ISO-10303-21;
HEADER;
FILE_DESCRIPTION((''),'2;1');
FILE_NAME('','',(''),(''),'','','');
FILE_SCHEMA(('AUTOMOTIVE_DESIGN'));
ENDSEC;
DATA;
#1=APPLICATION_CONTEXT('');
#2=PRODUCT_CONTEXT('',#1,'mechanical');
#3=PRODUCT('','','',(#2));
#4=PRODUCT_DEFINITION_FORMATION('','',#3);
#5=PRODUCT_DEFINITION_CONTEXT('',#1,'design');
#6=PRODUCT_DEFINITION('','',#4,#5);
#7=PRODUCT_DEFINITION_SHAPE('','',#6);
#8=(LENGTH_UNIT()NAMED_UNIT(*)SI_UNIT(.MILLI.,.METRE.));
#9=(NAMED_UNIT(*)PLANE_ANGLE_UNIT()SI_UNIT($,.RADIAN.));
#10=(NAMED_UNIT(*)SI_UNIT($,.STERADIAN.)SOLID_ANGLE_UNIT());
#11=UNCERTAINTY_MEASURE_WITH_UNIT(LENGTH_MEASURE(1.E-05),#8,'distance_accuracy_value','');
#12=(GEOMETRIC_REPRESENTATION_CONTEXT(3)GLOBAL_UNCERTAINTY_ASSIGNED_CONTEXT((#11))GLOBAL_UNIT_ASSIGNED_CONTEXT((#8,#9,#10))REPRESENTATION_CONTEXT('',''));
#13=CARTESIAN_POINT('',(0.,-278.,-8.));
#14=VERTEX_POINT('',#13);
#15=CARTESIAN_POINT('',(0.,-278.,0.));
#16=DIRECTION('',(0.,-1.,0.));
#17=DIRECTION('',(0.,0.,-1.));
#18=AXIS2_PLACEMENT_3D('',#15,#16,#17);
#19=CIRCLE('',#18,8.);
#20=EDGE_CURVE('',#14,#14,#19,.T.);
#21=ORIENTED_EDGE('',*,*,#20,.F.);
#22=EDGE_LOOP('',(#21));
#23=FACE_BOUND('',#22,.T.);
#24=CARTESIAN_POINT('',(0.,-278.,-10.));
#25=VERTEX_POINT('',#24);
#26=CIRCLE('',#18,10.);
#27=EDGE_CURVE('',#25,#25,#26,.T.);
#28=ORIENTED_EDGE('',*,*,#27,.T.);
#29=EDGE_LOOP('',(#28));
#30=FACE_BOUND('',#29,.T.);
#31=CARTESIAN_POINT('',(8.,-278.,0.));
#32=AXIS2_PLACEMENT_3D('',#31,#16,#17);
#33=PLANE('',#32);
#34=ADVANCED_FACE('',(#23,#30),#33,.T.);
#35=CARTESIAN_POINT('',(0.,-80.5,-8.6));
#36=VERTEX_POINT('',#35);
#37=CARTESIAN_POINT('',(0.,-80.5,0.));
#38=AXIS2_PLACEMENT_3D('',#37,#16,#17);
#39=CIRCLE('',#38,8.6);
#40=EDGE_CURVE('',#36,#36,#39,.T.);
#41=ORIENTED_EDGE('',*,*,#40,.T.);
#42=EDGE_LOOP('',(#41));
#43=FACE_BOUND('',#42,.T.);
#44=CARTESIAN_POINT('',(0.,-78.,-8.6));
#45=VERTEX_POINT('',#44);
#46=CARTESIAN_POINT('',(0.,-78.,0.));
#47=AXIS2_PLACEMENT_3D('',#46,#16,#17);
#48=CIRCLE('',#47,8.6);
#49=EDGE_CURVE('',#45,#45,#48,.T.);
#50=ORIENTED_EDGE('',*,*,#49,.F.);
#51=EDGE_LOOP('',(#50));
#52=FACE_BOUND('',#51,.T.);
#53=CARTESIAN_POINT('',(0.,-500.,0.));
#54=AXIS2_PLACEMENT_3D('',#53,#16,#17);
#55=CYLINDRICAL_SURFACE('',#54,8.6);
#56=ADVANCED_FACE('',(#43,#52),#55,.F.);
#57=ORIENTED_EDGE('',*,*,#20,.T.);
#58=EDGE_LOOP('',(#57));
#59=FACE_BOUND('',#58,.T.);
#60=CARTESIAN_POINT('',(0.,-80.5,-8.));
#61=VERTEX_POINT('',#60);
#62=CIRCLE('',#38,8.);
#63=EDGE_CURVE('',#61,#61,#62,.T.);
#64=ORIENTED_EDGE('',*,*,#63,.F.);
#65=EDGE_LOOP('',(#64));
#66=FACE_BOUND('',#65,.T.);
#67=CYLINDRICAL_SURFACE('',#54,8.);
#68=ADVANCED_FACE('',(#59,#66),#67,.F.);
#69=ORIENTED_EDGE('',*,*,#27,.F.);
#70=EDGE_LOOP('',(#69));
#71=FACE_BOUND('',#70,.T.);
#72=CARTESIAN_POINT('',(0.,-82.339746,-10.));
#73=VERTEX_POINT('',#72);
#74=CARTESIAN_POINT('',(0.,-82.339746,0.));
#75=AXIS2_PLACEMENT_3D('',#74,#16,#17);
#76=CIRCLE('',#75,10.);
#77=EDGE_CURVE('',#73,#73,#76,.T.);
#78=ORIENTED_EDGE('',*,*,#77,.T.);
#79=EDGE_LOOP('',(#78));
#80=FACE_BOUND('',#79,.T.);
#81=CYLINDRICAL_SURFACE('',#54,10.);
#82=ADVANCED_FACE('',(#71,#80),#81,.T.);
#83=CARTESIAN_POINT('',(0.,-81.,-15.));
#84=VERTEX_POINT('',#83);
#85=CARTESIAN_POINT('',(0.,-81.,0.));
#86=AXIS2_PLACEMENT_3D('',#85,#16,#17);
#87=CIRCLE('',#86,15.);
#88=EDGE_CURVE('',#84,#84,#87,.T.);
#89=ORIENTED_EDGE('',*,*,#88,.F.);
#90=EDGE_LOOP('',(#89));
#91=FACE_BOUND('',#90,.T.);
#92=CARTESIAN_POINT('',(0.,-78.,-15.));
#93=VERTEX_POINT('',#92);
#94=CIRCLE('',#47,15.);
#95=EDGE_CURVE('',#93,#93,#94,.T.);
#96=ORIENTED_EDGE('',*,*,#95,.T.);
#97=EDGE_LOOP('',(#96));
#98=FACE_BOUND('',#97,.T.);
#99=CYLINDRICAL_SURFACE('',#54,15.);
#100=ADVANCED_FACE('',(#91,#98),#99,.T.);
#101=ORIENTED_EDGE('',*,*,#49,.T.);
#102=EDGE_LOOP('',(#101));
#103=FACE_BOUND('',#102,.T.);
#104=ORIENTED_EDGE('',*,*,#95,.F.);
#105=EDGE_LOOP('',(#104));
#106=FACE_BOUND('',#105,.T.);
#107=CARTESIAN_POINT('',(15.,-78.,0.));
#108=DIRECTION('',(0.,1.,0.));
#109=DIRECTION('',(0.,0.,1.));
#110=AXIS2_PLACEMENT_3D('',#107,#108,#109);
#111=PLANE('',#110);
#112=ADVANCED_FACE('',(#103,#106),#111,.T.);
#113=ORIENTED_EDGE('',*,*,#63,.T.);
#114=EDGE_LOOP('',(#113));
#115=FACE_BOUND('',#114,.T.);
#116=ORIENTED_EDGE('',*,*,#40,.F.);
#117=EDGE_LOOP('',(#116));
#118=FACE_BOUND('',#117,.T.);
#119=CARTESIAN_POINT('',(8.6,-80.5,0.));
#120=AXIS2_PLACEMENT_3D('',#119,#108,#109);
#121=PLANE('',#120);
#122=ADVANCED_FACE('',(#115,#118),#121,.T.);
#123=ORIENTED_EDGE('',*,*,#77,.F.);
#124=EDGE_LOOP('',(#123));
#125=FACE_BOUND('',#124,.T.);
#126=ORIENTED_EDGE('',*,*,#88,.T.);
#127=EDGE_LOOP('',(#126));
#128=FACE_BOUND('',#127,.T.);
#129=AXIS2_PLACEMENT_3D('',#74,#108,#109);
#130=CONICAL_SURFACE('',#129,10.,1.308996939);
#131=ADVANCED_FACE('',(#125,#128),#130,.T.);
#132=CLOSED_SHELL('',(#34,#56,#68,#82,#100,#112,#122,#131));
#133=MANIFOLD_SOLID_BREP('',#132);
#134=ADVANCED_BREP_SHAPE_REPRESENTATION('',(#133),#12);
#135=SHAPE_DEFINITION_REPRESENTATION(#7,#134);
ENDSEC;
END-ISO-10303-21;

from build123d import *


with BuildPart() as part:
    # Reconstructed nominal axial profile → Native revolved geometry (revolve)
    with BuildSketch(Plane.XY, mode=Mode.PRIVATE) as native_revolved_geometry_sk:
        Polygon((8.6, -78), (8.6, -80.5), (8, -80.5), (8, -278), (10, -278), (10, -82.339745962), (15, -81), (15, -78), align=None)
    revolve(native_revolved_geometry_sk.sketch.rotate(Axis((0, -500, 0), (0, 1, 0)), 90), axis=Axis((0, -500, 0), (0, 1, 0)))


solid = part.part
